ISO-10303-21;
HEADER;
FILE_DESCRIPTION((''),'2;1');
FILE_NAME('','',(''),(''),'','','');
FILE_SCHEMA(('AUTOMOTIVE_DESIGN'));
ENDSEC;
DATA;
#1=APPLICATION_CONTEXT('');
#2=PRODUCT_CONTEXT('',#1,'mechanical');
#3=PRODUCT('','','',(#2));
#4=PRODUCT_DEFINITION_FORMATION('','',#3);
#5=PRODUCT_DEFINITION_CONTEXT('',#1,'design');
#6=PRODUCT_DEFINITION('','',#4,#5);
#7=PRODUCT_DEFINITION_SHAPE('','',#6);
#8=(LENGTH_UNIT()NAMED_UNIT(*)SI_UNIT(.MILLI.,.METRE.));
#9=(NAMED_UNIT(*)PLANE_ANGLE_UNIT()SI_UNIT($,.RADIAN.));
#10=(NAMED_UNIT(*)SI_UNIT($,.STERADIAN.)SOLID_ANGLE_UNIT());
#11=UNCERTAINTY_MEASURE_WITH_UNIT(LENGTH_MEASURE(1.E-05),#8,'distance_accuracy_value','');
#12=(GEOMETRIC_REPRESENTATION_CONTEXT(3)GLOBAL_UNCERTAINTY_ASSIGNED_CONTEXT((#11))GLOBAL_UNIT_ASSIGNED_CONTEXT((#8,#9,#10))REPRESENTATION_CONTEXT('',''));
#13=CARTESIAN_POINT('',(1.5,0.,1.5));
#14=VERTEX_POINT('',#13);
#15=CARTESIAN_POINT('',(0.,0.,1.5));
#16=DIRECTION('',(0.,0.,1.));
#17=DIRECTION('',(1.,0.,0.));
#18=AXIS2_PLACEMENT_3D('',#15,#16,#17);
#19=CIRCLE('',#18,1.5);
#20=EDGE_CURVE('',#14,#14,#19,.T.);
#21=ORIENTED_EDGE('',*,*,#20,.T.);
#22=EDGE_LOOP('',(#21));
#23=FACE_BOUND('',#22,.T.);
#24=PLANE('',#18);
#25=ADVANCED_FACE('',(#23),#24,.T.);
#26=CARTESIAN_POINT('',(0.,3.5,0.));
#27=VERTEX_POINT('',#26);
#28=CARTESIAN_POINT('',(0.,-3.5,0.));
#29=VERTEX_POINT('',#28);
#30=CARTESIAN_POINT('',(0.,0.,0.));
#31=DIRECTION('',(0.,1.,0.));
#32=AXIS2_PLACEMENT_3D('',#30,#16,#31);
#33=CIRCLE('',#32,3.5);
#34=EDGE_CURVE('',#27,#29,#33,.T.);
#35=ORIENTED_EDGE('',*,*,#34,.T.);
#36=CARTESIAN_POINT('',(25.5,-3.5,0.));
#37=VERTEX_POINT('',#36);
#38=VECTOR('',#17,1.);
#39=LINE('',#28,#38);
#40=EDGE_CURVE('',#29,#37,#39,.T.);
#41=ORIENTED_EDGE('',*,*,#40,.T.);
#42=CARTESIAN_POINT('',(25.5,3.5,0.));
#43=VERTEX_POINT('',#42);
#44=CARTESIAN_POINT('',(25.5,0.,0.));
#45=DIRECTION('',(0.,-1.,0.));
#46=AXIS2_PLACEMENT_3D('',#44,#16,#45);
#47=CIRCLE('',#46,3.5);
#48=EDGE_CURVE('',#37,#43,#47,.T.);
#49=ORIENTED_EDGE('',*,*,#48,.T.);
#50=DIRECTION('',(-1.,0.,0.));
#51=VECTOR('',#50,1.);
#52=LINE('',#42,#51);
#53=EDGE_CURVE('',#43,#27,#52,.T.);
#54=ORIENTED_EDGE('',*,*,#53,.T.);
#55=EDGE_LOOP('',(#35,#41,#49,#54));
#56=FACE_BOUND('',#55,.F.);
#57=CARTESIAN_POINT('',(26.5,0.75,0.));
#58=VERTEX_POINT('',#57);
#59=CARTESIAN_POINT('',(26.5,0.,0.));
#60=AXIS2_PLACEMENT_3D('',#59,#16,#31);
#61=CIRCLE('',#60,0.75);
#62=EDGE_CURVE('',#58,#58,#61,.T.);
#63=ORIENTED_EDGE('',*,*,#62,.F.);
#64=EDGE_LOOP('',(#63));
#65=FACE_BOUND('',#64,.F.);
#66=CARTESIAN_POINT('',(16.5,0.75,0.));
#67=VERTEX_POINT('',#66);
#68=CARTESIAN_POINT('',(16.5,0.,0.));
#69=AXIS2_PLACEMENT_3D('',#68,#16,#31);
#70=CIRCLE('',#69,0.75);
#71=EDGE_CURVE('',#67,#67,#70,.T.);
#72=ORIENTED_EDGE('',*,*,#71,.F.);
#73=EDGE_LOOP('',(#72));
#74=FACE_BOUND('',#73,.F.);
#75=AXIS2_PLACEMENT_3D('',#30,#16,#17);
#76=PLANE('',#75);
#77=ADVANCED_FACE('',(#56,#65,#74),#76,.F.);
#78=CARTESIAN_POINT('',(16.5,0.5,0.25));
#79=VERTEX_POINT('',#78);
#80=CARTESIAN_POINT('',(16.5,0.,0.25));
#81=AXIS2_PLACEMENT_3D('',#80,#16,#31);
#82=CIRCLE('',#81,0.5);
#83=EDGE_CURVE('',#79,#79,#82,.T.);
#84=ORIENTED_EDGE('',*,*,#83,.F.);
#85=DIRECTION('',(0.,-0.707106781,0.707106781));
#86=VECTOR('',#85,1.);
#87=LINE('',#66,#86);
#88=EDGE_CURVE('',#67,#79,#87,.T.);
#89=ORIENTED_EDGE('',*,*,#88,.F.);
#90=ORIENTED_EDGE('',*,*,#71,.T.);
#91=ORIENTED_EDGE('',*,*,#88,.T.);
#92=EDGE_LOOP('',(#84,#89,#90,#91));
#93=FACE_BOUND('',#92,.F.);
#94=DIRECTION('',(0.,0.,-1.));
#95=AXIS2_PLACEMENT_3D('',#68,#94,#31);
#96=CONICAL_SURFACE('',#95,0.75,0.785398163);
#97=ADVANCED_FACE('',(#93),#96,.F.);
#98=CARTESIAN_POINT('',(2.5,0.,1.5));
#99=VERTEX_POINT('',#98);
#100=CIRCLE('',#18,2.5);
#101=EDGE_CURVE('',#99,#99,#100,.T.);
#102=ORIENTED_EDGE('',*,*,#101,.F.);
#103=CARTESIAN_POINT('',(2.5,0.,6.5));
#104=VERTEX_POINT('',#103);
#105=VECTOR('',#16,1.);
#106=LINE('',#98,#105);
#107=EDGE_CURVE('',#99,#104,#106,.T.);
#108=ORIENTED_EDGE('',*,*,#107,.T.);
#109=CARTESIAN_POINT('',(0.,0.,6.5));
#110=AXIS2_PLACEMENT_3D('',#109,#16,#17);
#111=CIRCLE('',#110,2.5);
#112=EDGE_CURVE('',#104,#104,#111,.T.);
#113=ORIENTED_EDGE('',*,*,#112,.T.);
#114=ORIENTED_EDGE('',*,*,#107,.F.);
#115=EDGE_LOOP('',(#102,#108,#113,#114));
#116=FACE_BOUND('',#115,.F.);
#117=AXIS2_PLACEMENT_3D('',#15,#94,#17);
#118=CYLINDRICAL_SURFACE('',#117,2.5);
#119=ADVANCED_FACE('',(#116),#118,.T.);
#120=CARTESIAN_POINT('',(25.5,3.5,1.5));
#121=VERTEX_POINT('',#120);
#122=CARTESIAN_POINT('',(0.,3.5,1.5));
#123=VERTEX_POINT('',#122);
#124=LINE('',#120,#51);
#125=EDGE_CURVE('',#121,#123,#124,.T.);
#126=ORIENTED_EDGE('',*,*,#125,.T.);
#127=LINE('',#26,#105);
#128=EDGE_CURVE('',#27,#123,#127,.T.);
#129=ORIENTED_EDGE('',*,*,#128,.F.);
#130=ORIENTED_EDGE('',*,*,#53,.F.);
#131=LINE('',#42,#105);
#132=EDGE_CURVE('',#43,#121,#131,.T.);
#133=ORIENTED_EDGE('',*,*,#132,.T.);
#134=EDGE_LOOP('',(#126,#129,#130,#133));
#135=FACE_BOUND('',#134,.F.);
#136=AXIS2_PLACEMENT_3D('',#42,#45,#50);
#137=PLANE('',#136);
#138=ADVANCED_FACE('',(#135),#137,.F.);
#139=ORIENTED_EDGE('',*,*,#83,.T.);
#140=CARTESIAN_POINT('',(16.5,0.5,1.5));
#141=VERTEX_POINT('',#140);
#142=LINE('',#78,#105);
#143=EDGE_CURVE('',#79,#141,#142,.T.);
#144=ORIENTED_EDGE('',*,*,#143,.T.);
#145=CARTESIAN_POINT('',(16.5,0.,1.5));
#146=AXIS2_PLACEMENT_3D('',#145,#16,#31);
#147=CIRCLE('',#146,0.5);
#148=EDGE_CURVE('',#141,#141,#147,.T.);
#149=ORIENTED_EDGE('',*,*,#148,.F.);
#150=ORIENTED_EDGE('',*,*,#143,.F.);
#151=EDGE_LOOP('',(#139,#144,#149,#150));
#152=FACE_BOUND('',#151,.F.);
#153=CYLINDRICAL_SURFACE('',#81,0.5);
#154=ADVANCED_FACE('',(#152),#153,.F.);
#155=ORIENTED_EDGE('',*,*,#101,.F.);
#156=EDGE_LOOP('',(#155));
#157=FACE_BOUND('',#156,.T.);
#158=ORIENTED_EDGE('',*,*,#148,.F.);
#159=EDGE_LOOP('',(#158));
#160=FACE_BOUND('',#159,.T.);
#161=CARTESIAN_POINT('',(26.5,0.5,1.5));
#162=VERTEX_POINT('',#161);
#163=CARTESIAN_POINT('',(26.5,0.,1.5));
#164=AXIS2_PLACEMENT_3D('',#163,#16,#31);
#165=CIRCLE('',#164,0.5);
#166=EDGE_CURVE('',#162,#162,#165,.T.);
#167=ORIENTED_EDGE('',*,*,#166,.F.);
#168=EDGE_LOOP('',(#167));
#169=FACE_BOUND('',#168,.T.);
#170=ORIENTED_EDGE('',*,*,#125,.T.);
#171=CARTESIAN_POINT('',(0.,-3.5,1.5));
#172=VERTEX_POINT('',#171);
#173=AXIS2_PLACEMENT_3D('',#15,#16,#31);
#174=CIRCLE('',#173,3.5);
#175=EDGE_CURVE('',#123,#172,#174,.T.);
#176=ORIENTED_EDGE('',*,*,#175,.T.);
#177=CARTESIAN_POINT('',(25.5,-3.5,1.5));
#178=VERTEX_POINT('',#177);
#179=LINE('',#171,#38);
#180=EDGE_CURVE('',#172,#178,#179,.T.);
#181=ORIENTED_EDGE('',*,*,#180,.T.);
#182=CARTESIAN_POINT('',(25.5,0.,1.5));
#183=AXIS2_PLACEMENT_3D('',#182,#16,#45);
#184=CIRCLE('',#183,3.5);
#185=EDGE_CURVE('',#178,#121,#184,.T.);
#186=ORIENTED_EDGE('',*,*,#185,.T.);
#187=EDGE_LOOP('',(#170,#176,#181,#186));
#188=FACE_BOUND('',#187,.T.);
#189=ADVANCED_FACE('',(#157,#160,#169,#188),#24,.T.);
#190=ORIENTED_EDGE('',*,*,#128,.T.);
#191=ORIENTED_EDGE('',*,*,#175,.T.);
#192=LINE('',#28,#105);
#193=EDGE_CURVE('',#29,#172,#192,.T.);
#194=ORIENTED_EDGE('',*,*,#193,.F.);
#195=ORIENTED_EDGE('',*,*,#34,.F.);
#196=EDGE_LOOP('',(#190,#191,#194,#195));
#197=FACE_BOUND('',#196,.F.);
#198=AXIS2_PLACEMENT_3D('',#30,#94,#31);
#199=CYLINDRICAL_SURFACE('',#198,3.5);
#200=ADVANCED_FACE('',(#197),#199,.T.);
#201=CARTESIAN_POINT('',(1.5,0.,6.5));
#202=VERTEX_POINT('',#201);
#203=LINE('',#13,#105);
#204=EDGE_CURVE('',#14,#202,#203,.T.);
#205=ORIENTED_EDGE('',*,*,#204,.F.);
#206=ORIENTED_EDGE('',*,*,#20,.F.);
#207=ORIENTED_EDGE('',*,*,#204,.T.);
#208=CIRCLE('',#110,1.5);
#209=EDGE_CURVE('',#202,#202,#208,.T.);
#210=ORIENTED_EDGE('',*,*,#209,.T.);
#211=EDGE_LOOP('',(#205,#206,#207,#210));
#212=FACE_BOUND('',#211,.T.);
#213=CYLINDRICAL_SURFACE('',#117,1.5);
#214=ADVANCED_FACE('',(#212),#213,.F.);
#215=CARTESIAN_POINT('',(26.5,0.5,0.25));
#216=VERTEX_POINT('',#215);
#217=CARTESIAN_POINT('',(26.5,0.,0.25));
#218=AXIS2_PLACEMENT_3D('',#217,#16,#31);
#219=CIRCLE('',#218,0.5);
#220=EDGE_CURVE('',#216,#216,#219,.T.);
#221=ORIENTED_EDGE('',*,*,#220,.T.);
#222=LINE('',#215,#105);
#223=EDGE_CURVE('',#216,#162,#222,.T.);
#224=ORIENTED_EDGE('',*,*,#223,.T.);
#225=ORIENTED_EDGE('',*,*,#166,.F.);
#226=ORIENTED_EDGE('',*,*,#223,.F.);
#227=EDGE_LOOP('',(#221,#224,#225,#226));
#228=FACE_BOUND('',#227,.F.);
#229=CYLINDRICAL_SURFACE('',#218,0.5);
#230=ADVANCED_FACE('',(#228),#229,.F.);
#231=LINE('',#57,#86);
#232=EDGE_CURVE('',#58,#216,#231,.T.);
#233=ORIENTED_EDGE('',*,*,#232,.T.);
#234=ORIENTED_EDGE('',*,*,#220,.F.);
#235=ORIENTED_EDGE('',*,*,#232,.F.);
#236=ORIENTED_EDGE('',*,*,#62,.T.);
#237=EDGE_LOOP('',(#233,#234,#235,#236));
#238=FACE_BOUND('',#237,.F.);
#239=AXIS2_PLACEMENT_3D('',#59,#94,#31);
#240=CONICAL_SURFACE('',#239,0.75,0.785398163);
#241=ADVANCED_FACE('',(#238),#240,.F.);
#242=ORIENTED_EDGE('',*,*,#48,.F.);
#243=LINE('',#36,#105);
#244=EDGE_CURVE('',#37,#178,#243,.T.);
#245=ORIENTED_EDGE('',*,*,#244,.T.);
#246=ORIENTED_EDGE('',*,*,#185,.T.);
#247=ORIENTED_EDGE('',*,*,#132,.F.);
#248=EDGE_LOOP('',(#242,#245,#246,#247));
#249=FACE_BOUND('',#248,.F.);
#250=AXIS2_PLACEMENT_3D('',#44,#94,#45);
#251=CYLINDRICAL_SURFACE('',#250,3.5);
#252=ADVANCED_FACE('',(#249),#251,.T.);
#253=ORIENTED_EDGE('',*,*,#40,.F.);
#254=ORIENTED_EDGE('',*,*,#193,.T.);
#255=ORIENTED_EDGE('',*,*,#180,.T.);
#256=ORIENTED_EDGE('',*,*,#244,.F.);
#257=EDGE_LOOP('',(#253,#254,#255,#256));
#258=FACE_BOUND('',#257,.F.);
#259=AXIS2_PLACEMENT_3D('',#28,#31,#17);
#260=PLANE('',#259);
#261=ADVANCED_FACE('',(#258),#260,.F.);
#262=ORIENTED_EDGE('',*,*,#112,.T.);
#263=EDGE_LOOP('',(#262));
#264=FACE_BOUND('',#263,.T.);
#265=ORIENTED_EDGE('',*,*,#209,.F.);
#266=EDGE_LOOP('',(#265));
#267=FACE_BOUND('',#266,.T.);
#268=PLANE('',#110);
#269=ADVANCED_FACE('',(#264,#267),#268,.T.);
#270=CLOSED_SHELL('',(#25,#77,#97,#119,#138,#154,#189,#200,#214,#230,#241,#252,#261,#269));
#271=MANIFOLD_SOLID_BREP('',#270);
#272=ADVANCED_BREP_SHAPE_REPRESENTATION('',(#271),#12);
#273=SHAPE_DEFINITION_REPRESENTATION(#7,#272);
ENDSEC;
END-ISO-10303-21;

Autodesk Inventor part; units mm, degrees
ref_plane "YZ Plane" through (0, 0, 0) normal (1, 0, 0) x (0, 1, 0)
ref_plane "XZ Plane" through (0, 0, 0) normal (0, 1, 0) x (-1, 0, 0)
ref_plane "XY Plane" through (0, 0, 0) normal (0, 0, 1) x (1, 0, 0)
sketch "Эскиз1" plane through (0, 0, 0) normal (0, 0, 1) x (1, 0, 0)
  line L0 (0, 0) -> (25.5, 0) construction
  line L1 (0, -3.5) -> (25.5, -3.5)
  line L2 (25.5, 3.5) -> (0, 3.5)
  arc A0 (0, 3.5) -> (0, -3.5) centre (0, 0) ccw
  arc A1 (25.5, -3.5) -> (25.5, 3.5) centre (25.5, 0) ccw
  point P0 (12.75, 0)
  dimension "d0" = 25.5
  dimension "d1" = 7
extrude "Выдавливание1" add sketch "Эскиз1" along normal blind 1.5
sketch "Эскиз2" plane through (0, 0, 1.5) normal (0, 0, 1) x (1, 0, 0)
  circle A0 centre (0, 0) radius 2.5
  circle A1 centre (0, 0) radius 1.5
  dimension "d4" = 5
  dimension "d5" = 1
extrude "Выдавливание2" add sketch "Эскиз2" along normal blind 5
sketch "Эскиз6" plane through (0, 0, 0) normal (0, 0, 1) x (1, 0, 0)
  line L0 (-10, 0) -> (35.5, 0) construction
  arc A0 (25.5, -3.5) -> (25.5, 3.5) centre (25.5, 0) ccw construction
  circle A1 centre (26.5, 0) radius 0.5
  circle A2 centre (16.5, 0) radius 0.5
  point P0 (0, 0)
  point P1 (29, 0)
  point P2 (29, 0)
  dimension "d22" = 1
  dimension "d23" = 2.5
  dimension "d25" = 10
hole "Отверстие1" at (26.5, 0, 0) at (16.5, 0, 0) direction (0, 0, 1) diameter 1 end through all countersink diameter 1.5 countersink angle 90
properties part number "элемент-2"
